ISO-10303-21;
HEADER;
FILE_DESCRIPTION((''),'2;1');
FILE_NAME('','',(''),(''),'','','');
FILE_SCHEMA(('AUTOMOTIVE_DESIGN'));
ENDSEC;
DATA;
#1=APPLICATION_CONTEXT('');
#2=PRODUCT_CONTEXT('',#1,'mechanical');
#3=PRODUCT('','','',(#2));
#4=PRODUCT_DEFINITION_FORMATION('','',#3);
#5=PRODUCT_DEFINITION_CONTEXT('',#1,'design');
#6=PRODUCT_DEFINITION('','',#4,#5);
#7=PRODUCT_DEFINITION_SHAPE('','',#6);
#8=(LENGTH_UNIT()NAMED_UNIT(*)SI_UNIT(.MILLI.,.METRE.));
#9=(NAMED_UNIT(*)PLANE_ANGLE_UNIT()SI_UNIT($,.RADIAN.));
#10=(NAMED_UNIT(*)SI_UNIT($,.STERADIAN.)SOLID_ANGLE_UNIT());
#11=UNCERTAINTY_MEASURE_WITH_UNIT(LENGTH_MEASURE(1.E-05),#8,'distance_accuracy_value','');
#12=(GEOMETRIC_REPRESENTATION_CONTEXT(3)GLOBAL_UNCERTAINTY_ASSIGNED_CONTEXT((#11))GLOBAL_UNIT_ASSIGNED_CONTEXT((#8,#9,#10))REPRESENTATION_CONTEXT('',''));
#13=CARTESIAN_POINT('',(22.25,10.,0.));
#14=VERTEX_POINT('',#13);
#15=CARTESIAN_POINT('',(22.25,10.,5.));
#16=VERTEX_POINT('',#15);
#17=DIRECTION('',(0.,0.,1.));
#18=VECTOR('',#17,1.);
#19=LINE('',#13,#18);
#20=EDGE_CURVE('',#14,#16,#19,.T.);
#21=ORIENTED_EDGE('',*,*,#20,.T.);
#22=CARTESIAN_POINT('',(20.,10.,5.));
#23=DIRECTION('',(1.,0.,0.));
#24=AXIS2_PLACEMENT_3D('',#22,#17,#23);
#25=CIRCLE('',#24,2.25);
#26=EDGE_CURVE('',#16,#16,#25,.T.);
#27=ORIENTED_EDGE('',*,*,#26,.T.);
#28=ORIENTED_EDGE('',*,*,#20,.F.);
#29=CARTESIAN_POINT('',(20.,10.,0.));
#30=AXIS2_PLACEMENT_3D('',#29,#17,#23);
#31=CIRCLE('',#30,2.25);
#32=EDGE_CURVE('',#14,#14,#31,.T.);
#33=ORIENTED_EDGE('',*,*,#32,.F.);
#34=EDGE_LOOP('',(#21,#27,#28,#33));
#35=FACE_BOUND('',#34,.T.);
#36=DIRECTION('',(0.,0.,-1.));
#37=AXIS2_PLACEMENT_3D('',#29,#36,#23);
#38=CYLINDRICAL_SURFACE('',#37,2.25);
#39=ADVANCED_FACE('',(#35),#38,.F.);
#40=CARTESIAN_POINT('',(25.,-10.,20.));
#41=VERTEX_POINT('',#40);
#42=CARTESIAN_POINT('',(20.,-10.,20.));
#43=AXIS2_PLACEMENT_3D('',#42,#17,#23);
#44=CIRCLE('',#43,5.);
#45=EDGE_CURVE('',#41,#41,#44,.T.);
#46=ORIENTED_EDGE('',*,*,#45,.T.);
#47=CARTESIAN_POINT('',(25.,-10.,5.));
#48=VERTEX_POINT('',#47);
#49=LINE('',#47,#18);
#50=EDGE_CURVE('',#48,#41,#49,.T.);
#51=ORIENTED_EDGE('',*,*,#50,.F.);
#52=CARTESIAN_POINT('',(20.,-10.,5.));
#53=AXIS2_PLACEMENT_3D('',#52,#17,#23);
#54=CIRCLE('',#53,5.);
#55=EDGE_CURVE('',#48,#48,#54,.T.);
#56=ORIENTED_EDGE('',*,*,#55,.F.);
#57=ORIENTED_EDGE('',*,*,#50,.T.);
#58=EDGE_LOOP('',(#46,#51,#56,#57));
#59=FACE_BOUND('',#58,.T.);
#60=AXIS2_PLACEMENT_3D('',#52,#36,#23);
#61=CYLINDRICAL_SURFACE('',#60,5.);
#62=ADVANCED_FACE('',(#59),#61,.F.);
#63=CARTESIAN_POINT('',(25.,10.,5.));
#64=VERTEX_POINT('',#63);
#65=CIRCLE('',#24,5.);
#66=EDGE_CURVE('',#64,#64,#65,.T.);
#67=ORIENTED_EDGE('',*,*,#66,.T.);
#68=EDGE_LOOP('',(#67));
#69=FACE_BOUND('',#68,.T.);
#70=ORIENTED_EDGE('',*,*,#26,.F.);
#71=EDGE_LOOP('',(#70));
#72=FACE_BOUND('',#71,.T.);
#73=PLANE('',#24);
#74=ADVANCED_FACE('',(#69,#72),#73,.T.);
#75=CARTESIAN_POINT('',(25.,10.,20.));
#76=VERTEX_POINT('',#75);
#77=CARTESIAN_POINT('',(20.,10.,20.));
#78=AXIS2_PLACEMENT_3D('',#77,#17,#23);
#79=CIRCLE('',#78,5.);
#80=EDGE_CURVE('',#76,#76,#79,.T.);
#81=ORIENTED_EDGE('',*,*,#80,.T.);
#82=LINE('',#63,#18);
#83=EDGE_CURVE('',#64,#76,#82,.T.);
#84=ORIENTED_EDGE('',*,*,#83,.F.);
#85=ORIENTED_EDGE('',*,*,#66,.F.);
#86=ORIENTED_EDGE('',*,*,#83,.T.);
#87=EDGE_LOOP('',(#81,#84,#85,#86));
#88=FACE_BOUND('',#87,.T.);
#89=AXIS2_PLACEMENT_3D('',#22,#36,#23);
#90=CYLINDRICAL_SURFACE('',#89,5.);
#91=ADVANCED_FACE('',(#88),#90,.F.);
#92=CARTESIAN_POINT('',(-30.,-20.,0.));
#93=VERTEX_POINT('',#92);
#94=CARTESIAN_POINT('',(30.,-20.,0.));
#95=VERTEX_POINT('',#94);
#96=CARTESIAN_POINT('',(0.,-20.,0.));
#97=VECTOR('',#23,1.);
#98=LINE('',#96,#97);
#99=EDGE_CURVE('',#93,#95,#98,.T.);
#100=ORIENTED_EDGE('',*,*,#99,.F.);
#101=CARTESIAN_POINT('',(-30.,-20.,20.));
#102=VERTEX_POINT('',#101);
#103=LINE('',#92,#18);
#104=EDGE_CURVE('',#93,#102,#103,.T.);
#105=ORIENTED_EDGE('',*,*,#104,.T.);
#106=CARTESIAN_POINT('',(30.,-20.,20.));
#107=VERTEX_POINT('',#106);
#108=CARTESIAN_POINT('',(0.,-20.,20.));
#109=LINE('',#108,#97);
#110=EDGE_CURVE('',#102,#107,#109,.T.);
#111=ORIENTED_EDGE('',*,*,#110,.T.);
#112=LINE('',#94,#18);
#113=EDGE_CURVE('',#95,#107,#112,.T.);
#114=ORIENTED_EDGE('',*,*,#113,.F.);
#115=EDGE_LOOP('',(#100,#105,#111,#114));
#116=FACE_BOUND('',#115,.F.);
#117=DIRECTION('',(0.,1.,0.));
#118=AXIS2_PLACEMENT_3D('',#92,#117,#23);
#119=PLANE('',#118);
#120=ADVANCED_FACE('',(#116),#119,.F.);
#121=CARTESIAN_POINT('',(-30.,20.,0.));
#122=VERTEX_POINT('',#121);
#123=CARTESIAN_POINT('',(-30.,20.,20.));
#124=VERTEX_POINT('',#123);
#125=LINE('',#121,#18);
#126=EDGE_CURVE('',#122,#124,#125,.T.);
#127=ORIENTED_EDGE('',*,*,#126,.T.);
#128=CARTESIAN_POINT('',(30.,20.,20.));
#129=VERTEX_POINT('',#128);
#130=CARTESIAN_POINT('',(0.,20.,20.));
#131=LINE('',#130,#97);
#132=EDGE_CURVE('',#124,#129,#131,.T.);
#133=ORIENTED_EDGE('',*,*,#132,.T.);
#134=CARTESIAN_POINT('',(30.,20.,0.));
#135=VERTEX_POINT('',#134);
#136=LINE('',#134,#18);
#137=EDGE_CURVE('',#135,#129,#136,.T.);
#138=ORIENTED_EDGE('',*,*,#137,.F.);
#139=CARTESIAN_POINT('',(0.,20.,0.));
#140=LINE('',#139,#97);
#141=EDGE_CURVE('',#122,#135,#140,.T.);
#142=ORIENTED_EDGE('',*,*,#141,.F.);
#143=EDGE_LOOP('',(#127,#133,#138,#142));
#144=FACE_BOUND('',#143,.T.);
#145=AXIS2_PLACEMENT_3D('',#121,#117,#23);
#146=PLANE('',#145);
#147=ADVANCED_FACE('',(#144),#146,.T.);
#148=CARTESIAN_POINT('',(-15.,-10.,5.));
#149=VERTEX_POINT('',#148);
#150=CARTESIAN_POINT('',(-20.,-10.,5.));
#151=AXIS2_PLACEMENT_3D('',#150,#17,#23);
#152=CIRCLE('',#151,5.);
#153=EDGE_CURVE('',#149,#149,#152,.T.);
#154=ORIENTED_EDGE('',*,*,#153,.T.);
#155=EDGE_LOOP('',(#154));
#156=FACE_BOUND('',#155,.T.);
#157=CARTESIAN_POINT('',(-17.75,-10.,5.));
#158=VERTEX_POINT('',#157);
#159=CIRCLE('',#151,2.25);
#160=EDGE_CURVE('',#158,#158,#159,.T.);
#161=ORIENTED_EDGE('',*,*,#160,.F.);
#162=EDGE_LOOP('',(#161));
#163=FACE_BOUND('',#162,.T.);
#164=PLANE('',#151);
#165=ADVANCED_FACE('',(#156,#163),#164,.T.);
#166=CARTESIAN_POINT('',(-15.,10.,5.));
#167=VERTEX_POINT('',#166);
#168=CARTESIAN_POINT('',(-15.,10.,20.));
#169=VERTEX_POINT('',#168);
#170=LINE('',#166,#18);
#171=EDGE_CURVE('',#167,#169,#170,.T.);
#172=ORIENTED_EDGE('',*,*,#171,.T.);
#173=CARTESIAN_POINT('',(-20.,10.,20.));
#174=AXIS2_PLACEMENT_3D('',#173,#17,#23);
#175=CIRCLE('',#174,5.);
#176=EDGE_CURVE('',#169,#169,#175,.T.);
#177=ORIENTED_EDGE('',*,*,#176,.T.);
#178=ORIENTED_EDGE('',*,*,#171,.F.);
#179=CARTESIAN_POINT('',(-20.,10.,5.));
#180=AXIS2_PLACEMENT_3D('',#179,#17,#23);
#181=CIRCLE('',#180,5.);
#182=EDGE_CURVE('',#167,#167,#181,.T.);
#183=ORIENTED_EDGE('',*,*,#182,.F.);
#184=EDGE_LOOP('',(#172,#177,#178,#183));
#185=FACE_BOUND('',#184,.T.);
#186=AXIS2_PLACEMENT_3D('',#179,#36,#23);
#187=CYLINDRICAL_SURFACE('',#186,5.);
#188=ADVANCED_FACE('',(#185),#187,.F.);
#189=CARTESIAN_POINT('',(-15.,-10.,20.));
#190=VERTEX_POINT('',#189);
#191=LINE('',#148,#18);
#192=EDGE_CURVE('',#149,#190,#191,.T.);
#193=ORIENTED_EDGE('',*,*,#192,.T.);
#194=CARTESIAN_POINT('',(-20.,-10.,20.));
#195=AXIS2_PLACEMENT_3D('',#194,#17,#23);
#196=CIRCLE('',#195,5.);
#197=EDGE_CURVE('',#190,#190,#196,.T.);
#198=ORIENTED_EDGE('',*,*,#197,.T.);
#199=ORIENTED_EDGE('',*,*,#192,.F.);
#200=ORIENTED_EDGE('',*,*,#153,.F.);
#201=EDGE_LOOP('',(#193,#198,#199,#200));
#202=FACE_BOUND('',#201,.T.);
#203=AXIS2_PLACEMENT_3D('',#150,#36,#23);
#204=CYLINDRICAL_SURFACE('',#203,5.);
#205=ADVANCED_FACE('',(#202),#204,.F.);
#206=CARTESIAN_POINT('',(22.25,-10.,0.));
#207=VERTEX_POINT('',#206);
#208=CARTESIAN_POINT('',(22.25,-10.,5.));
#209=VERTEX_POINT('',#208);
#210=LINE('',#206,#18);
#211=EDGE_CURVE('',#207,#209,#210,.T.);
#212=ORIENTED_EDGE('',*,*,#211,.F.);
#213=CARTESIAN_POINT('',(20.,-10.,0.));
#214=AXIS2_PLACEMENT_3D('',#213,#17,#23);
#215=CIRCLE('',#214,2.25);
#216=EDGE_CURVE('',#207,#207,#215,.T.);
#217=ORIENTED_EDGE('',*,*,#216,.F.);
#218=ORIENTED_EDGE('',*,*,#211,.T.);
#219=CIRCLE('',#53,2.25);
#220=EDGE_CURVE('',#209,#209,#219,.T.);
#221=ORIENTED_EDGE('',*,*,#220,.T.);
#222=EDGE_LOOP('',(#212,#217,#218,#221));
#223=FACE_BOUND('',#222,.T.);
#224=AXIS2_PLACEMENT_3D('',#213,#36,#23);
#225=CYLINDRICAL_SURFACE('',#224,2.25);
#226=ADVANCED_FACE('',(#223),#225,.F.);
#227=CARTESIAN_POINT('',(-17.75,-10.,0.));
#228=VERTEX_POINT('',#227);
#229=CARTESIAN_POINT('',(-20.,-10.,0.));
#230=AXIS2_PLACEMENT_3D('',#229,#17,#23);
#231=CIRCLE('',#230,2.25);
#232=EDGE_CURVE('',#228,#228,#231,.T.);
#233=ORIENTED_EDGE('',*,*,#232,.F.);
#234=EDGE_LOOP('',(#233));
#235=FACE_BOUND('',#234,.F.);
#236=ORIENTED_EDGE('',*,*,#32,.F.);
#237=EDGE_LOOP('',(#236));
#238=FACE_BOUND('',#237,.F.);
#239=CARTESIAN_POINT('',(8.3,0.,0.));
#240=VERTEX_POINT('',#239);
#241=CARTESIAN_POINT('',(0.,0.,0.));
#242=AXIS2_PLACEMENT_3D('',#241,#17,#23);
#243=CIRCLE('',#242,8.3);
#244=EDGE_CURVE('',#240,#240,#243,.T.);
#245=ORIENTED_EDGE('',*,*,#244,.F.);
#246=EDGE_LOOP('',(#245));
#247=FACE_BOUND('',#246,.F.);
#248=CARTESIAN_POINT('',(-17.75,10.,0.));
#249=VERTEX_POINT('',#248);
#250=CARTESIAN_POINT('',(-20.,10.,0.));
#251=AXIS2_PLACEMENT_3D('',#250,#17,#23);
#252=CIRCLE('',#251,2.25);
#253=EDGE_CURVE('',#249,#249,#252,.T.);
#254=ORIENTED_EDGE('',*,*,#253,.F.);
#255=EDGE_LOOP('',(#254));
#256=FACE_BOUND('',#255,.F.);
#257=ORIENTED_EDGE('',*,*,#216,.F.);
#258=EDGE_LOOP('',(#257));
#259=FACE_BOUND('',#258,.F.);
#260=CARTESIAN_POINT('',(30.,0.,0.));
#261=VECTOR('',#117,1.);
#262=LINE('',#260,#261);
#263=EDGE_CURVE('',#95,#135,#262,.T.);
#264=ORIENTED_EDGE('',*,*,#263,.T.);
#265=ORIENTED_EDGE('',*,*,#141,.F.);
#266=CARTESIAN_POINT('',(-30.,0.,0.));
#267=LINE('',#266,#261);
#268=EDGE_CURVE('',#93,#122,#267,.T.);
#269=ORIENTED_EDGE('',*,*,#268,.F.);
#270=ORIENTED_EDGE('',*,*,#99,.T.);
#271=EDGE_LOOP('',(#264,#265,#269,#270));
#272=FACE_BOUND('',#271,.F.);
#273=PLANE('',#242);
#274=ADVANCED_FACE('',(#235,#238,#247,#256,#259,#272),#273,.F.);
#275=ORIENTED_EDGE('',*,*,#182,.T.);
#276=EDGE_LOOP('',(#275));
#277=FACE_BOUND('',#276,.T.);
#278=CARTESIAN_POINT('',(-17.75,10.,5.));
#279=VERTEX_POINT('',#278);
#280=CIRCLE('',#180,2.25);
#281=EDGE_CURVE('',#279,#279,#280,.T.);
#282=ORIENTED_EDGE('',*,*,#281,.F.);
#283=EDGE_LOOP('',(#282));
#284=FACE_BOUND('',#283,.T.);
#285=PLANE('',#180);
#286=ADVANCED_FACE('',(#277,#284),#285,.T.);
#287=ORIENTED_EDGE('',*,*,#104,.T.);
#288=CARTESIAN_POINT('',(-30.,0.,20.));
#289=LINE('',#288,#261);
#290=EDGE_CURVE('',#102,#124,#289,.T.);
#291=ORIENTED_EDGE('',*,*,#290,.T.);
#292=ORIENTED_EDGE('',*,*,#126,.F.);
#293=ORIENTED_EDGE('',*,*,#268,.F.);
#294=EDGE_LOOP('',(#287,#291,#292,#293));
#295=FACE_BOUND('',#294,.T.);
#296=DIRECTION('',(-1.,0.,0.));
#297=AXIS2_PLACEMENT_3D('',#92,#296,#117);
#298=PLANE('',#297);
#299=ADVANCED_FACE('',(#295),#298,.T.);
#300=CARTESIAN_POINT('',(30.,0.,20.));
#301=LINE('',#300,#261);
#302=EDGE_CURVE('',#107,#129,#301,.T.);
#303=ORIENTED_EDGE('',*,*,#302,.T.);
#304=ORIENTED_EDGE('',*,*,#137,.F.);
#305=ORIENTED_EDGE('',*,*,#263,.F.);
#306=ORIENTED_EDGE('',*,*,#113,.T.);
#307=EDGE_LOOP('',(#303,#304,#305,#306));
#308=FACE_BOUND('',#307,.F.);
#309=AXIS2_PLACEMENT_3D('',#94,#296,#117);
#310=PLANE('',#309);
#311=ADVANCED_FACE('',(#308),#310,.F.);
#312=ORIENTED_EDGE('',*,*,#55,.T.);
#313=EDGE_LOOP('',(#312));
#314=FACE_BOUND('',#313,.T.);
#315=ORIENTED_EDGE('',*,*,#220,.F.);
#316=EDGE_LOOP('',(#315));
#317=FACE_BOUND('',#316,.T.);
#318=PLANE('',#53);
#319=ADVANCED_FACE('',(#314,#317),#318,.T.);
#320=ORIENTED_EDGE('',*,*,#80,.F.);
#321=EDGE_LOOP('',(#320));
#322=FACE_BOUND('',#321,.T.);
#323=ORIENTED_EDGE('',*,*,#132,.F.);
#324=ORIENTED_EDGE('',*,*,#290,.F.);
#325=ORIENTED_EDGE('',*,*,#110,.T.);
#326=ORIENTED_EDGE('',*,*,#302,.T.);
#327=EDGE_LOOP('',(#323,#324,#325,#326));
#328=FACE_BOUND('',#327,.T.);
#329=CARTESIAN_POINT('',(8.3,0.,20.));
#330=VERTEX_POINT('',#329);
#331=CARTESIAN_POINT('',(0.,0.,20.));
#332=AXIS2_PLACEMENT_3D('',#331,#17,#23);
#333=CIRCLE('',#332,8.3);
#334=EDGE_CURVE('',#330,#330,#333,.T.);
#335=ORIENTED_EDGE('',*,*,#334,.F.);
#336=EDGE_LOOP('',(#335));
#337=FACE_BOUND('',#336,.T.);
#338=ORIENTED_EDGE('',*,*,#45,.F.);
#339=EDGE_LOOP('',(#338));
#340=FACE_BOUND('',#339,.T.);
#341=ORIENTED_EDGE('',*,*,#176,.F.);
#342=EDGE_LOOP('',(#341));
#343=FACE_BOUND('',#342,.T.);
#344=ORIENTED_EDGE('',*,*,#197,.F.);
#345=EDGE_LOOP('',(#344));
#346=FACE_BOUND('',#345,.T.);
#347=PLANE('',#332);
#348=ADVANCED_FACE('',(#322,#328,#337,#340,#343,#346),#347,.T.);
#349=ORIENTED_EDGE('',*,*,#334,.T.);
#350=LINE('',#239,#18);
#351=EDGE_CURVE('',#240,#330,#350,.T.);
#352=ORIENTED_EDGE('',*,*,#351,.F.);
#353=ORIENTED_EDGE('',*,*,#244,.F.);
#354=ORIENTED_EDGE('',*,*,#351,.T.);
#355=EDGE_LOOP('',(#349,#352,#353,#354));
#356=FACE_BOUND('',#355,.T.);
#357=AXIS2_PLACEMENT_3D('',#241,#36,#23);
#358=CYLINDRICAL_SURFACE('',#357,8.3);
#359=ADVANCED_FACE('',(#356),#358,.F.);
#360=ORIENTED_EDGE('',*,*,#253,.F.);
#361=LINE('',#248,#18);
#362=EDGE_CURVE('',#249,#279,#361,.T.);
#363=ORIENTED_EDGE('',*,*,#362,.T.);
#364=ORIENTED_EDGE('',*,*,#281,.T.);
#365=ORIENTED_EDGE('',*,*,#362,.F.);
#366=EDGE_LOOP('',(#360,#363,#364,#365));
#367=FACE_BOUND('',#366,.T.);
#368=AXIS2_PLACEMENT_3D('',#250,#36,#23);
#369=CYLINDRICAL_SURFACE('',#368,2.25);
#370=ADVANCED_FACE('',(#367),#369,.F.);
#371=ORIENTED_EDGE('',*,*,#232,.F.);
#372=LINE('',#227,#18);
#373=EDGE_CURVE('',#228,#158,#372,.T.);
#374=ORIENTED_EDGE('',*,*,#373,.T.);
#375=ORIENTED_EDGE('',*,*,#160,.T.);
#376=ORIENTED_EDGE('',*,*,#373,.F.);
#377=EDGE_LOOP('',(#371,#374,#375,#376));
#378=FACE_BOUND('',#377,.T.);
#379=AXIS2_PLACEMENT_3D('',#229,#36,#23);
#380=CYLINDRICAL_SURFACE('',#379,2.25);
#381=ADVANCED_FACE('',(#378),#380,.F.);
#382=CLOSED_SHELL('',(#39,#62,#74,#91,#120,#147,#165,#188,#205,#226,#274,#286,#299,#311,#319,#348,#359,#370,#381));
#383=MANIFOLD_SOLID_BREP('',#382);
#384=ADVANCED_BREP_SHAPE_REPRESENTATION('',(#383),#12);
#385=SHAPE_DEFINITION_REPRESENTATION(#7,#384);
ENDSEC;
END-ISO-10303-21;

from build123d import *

# Parameters (mm, degrees)
F0_W     = 60
F0_H     = 40
F0_R     = 5
F0_R_2   = 8.3
F0_R_3   = 2.25
F1_DEPTH = 20
F2_START = 5
F2_DEPTH = 15


with BuildPart() as f1:
    # F0 (on Top) → F1 (new body)
    with BuildSketch(Plane.XY):
        Rectangle(F0_W, F0_H)
        with Locations((-20, -10)):
            Circle(F0_R, mode=Mode.SUBTRACT)
        with Locations((20, -10)):
            Circle(F0_R, mode=Mode.SUBTRACT)
        with Locations((-20, 10)):
            Circle(F0_R, mode=Mode.SUBTRACT)
        Circle(F0_R_2, mode=Mode.SUBTRACT)
        with Locations((20, 10)):
            Circle(F0_R, mode=Mode.SUBTRACT)
        with Locations((-20, 10)):
            Circle(F0_R)
        with Locations((-20, 10)):
            Circle(F0_R_3, mode=Mode.SUBTRACT)
        with Locations((20, 10)):
            Circle(F0_R)
        with Locations((20, 10)):
            Circle(F0_R_3, mode=Mode.SUBTRACT)
        with Locations((20, -10)):
            Circle(F0_R)
        with Locations((20, -10)):
            Circle(F0_R_3, mode=Mode.SUBTRACT)
        with Locations((-20, -10)):
            Circle(F0_R)
        with Locations((-20, -10)):
            Circle(F0_R_3, mode=Mode.SUBTRACT)
    extrude(amount=F1_DEPTH)

    # F0 (on Top) → F2 (cut)
    with BuildSketch(Plane.XY.offset(F2_START)):
        with Locations((-20, -10)):
            Circle(F0_R)
        with Locations((-20, -10)):
            Circle(F0_R_3, mode=Mode.SUBTRACT)
        with Locations((20, -10)):
            Circle(F0_R)
        with Locations((20, -10)):
            Circle(F0_R_3, mode=Mode.SUBTRACT)
        with Locations((-20, 10)):
            Circle(F0_R)
        with Locations((-20, 10)):
            Circle(F0_R_3, mode=Mode.SUBTRACT)
        with Locations((20, 10)):
            Circle(F0_R)
        with Locations((20, 10)):
            Circle(F0_R_3, mode=Mode.SUBTRACT)
    extrude(amount=F2_DEPTH, mode=Mode.SUBTRACT)


solid = f1.part
